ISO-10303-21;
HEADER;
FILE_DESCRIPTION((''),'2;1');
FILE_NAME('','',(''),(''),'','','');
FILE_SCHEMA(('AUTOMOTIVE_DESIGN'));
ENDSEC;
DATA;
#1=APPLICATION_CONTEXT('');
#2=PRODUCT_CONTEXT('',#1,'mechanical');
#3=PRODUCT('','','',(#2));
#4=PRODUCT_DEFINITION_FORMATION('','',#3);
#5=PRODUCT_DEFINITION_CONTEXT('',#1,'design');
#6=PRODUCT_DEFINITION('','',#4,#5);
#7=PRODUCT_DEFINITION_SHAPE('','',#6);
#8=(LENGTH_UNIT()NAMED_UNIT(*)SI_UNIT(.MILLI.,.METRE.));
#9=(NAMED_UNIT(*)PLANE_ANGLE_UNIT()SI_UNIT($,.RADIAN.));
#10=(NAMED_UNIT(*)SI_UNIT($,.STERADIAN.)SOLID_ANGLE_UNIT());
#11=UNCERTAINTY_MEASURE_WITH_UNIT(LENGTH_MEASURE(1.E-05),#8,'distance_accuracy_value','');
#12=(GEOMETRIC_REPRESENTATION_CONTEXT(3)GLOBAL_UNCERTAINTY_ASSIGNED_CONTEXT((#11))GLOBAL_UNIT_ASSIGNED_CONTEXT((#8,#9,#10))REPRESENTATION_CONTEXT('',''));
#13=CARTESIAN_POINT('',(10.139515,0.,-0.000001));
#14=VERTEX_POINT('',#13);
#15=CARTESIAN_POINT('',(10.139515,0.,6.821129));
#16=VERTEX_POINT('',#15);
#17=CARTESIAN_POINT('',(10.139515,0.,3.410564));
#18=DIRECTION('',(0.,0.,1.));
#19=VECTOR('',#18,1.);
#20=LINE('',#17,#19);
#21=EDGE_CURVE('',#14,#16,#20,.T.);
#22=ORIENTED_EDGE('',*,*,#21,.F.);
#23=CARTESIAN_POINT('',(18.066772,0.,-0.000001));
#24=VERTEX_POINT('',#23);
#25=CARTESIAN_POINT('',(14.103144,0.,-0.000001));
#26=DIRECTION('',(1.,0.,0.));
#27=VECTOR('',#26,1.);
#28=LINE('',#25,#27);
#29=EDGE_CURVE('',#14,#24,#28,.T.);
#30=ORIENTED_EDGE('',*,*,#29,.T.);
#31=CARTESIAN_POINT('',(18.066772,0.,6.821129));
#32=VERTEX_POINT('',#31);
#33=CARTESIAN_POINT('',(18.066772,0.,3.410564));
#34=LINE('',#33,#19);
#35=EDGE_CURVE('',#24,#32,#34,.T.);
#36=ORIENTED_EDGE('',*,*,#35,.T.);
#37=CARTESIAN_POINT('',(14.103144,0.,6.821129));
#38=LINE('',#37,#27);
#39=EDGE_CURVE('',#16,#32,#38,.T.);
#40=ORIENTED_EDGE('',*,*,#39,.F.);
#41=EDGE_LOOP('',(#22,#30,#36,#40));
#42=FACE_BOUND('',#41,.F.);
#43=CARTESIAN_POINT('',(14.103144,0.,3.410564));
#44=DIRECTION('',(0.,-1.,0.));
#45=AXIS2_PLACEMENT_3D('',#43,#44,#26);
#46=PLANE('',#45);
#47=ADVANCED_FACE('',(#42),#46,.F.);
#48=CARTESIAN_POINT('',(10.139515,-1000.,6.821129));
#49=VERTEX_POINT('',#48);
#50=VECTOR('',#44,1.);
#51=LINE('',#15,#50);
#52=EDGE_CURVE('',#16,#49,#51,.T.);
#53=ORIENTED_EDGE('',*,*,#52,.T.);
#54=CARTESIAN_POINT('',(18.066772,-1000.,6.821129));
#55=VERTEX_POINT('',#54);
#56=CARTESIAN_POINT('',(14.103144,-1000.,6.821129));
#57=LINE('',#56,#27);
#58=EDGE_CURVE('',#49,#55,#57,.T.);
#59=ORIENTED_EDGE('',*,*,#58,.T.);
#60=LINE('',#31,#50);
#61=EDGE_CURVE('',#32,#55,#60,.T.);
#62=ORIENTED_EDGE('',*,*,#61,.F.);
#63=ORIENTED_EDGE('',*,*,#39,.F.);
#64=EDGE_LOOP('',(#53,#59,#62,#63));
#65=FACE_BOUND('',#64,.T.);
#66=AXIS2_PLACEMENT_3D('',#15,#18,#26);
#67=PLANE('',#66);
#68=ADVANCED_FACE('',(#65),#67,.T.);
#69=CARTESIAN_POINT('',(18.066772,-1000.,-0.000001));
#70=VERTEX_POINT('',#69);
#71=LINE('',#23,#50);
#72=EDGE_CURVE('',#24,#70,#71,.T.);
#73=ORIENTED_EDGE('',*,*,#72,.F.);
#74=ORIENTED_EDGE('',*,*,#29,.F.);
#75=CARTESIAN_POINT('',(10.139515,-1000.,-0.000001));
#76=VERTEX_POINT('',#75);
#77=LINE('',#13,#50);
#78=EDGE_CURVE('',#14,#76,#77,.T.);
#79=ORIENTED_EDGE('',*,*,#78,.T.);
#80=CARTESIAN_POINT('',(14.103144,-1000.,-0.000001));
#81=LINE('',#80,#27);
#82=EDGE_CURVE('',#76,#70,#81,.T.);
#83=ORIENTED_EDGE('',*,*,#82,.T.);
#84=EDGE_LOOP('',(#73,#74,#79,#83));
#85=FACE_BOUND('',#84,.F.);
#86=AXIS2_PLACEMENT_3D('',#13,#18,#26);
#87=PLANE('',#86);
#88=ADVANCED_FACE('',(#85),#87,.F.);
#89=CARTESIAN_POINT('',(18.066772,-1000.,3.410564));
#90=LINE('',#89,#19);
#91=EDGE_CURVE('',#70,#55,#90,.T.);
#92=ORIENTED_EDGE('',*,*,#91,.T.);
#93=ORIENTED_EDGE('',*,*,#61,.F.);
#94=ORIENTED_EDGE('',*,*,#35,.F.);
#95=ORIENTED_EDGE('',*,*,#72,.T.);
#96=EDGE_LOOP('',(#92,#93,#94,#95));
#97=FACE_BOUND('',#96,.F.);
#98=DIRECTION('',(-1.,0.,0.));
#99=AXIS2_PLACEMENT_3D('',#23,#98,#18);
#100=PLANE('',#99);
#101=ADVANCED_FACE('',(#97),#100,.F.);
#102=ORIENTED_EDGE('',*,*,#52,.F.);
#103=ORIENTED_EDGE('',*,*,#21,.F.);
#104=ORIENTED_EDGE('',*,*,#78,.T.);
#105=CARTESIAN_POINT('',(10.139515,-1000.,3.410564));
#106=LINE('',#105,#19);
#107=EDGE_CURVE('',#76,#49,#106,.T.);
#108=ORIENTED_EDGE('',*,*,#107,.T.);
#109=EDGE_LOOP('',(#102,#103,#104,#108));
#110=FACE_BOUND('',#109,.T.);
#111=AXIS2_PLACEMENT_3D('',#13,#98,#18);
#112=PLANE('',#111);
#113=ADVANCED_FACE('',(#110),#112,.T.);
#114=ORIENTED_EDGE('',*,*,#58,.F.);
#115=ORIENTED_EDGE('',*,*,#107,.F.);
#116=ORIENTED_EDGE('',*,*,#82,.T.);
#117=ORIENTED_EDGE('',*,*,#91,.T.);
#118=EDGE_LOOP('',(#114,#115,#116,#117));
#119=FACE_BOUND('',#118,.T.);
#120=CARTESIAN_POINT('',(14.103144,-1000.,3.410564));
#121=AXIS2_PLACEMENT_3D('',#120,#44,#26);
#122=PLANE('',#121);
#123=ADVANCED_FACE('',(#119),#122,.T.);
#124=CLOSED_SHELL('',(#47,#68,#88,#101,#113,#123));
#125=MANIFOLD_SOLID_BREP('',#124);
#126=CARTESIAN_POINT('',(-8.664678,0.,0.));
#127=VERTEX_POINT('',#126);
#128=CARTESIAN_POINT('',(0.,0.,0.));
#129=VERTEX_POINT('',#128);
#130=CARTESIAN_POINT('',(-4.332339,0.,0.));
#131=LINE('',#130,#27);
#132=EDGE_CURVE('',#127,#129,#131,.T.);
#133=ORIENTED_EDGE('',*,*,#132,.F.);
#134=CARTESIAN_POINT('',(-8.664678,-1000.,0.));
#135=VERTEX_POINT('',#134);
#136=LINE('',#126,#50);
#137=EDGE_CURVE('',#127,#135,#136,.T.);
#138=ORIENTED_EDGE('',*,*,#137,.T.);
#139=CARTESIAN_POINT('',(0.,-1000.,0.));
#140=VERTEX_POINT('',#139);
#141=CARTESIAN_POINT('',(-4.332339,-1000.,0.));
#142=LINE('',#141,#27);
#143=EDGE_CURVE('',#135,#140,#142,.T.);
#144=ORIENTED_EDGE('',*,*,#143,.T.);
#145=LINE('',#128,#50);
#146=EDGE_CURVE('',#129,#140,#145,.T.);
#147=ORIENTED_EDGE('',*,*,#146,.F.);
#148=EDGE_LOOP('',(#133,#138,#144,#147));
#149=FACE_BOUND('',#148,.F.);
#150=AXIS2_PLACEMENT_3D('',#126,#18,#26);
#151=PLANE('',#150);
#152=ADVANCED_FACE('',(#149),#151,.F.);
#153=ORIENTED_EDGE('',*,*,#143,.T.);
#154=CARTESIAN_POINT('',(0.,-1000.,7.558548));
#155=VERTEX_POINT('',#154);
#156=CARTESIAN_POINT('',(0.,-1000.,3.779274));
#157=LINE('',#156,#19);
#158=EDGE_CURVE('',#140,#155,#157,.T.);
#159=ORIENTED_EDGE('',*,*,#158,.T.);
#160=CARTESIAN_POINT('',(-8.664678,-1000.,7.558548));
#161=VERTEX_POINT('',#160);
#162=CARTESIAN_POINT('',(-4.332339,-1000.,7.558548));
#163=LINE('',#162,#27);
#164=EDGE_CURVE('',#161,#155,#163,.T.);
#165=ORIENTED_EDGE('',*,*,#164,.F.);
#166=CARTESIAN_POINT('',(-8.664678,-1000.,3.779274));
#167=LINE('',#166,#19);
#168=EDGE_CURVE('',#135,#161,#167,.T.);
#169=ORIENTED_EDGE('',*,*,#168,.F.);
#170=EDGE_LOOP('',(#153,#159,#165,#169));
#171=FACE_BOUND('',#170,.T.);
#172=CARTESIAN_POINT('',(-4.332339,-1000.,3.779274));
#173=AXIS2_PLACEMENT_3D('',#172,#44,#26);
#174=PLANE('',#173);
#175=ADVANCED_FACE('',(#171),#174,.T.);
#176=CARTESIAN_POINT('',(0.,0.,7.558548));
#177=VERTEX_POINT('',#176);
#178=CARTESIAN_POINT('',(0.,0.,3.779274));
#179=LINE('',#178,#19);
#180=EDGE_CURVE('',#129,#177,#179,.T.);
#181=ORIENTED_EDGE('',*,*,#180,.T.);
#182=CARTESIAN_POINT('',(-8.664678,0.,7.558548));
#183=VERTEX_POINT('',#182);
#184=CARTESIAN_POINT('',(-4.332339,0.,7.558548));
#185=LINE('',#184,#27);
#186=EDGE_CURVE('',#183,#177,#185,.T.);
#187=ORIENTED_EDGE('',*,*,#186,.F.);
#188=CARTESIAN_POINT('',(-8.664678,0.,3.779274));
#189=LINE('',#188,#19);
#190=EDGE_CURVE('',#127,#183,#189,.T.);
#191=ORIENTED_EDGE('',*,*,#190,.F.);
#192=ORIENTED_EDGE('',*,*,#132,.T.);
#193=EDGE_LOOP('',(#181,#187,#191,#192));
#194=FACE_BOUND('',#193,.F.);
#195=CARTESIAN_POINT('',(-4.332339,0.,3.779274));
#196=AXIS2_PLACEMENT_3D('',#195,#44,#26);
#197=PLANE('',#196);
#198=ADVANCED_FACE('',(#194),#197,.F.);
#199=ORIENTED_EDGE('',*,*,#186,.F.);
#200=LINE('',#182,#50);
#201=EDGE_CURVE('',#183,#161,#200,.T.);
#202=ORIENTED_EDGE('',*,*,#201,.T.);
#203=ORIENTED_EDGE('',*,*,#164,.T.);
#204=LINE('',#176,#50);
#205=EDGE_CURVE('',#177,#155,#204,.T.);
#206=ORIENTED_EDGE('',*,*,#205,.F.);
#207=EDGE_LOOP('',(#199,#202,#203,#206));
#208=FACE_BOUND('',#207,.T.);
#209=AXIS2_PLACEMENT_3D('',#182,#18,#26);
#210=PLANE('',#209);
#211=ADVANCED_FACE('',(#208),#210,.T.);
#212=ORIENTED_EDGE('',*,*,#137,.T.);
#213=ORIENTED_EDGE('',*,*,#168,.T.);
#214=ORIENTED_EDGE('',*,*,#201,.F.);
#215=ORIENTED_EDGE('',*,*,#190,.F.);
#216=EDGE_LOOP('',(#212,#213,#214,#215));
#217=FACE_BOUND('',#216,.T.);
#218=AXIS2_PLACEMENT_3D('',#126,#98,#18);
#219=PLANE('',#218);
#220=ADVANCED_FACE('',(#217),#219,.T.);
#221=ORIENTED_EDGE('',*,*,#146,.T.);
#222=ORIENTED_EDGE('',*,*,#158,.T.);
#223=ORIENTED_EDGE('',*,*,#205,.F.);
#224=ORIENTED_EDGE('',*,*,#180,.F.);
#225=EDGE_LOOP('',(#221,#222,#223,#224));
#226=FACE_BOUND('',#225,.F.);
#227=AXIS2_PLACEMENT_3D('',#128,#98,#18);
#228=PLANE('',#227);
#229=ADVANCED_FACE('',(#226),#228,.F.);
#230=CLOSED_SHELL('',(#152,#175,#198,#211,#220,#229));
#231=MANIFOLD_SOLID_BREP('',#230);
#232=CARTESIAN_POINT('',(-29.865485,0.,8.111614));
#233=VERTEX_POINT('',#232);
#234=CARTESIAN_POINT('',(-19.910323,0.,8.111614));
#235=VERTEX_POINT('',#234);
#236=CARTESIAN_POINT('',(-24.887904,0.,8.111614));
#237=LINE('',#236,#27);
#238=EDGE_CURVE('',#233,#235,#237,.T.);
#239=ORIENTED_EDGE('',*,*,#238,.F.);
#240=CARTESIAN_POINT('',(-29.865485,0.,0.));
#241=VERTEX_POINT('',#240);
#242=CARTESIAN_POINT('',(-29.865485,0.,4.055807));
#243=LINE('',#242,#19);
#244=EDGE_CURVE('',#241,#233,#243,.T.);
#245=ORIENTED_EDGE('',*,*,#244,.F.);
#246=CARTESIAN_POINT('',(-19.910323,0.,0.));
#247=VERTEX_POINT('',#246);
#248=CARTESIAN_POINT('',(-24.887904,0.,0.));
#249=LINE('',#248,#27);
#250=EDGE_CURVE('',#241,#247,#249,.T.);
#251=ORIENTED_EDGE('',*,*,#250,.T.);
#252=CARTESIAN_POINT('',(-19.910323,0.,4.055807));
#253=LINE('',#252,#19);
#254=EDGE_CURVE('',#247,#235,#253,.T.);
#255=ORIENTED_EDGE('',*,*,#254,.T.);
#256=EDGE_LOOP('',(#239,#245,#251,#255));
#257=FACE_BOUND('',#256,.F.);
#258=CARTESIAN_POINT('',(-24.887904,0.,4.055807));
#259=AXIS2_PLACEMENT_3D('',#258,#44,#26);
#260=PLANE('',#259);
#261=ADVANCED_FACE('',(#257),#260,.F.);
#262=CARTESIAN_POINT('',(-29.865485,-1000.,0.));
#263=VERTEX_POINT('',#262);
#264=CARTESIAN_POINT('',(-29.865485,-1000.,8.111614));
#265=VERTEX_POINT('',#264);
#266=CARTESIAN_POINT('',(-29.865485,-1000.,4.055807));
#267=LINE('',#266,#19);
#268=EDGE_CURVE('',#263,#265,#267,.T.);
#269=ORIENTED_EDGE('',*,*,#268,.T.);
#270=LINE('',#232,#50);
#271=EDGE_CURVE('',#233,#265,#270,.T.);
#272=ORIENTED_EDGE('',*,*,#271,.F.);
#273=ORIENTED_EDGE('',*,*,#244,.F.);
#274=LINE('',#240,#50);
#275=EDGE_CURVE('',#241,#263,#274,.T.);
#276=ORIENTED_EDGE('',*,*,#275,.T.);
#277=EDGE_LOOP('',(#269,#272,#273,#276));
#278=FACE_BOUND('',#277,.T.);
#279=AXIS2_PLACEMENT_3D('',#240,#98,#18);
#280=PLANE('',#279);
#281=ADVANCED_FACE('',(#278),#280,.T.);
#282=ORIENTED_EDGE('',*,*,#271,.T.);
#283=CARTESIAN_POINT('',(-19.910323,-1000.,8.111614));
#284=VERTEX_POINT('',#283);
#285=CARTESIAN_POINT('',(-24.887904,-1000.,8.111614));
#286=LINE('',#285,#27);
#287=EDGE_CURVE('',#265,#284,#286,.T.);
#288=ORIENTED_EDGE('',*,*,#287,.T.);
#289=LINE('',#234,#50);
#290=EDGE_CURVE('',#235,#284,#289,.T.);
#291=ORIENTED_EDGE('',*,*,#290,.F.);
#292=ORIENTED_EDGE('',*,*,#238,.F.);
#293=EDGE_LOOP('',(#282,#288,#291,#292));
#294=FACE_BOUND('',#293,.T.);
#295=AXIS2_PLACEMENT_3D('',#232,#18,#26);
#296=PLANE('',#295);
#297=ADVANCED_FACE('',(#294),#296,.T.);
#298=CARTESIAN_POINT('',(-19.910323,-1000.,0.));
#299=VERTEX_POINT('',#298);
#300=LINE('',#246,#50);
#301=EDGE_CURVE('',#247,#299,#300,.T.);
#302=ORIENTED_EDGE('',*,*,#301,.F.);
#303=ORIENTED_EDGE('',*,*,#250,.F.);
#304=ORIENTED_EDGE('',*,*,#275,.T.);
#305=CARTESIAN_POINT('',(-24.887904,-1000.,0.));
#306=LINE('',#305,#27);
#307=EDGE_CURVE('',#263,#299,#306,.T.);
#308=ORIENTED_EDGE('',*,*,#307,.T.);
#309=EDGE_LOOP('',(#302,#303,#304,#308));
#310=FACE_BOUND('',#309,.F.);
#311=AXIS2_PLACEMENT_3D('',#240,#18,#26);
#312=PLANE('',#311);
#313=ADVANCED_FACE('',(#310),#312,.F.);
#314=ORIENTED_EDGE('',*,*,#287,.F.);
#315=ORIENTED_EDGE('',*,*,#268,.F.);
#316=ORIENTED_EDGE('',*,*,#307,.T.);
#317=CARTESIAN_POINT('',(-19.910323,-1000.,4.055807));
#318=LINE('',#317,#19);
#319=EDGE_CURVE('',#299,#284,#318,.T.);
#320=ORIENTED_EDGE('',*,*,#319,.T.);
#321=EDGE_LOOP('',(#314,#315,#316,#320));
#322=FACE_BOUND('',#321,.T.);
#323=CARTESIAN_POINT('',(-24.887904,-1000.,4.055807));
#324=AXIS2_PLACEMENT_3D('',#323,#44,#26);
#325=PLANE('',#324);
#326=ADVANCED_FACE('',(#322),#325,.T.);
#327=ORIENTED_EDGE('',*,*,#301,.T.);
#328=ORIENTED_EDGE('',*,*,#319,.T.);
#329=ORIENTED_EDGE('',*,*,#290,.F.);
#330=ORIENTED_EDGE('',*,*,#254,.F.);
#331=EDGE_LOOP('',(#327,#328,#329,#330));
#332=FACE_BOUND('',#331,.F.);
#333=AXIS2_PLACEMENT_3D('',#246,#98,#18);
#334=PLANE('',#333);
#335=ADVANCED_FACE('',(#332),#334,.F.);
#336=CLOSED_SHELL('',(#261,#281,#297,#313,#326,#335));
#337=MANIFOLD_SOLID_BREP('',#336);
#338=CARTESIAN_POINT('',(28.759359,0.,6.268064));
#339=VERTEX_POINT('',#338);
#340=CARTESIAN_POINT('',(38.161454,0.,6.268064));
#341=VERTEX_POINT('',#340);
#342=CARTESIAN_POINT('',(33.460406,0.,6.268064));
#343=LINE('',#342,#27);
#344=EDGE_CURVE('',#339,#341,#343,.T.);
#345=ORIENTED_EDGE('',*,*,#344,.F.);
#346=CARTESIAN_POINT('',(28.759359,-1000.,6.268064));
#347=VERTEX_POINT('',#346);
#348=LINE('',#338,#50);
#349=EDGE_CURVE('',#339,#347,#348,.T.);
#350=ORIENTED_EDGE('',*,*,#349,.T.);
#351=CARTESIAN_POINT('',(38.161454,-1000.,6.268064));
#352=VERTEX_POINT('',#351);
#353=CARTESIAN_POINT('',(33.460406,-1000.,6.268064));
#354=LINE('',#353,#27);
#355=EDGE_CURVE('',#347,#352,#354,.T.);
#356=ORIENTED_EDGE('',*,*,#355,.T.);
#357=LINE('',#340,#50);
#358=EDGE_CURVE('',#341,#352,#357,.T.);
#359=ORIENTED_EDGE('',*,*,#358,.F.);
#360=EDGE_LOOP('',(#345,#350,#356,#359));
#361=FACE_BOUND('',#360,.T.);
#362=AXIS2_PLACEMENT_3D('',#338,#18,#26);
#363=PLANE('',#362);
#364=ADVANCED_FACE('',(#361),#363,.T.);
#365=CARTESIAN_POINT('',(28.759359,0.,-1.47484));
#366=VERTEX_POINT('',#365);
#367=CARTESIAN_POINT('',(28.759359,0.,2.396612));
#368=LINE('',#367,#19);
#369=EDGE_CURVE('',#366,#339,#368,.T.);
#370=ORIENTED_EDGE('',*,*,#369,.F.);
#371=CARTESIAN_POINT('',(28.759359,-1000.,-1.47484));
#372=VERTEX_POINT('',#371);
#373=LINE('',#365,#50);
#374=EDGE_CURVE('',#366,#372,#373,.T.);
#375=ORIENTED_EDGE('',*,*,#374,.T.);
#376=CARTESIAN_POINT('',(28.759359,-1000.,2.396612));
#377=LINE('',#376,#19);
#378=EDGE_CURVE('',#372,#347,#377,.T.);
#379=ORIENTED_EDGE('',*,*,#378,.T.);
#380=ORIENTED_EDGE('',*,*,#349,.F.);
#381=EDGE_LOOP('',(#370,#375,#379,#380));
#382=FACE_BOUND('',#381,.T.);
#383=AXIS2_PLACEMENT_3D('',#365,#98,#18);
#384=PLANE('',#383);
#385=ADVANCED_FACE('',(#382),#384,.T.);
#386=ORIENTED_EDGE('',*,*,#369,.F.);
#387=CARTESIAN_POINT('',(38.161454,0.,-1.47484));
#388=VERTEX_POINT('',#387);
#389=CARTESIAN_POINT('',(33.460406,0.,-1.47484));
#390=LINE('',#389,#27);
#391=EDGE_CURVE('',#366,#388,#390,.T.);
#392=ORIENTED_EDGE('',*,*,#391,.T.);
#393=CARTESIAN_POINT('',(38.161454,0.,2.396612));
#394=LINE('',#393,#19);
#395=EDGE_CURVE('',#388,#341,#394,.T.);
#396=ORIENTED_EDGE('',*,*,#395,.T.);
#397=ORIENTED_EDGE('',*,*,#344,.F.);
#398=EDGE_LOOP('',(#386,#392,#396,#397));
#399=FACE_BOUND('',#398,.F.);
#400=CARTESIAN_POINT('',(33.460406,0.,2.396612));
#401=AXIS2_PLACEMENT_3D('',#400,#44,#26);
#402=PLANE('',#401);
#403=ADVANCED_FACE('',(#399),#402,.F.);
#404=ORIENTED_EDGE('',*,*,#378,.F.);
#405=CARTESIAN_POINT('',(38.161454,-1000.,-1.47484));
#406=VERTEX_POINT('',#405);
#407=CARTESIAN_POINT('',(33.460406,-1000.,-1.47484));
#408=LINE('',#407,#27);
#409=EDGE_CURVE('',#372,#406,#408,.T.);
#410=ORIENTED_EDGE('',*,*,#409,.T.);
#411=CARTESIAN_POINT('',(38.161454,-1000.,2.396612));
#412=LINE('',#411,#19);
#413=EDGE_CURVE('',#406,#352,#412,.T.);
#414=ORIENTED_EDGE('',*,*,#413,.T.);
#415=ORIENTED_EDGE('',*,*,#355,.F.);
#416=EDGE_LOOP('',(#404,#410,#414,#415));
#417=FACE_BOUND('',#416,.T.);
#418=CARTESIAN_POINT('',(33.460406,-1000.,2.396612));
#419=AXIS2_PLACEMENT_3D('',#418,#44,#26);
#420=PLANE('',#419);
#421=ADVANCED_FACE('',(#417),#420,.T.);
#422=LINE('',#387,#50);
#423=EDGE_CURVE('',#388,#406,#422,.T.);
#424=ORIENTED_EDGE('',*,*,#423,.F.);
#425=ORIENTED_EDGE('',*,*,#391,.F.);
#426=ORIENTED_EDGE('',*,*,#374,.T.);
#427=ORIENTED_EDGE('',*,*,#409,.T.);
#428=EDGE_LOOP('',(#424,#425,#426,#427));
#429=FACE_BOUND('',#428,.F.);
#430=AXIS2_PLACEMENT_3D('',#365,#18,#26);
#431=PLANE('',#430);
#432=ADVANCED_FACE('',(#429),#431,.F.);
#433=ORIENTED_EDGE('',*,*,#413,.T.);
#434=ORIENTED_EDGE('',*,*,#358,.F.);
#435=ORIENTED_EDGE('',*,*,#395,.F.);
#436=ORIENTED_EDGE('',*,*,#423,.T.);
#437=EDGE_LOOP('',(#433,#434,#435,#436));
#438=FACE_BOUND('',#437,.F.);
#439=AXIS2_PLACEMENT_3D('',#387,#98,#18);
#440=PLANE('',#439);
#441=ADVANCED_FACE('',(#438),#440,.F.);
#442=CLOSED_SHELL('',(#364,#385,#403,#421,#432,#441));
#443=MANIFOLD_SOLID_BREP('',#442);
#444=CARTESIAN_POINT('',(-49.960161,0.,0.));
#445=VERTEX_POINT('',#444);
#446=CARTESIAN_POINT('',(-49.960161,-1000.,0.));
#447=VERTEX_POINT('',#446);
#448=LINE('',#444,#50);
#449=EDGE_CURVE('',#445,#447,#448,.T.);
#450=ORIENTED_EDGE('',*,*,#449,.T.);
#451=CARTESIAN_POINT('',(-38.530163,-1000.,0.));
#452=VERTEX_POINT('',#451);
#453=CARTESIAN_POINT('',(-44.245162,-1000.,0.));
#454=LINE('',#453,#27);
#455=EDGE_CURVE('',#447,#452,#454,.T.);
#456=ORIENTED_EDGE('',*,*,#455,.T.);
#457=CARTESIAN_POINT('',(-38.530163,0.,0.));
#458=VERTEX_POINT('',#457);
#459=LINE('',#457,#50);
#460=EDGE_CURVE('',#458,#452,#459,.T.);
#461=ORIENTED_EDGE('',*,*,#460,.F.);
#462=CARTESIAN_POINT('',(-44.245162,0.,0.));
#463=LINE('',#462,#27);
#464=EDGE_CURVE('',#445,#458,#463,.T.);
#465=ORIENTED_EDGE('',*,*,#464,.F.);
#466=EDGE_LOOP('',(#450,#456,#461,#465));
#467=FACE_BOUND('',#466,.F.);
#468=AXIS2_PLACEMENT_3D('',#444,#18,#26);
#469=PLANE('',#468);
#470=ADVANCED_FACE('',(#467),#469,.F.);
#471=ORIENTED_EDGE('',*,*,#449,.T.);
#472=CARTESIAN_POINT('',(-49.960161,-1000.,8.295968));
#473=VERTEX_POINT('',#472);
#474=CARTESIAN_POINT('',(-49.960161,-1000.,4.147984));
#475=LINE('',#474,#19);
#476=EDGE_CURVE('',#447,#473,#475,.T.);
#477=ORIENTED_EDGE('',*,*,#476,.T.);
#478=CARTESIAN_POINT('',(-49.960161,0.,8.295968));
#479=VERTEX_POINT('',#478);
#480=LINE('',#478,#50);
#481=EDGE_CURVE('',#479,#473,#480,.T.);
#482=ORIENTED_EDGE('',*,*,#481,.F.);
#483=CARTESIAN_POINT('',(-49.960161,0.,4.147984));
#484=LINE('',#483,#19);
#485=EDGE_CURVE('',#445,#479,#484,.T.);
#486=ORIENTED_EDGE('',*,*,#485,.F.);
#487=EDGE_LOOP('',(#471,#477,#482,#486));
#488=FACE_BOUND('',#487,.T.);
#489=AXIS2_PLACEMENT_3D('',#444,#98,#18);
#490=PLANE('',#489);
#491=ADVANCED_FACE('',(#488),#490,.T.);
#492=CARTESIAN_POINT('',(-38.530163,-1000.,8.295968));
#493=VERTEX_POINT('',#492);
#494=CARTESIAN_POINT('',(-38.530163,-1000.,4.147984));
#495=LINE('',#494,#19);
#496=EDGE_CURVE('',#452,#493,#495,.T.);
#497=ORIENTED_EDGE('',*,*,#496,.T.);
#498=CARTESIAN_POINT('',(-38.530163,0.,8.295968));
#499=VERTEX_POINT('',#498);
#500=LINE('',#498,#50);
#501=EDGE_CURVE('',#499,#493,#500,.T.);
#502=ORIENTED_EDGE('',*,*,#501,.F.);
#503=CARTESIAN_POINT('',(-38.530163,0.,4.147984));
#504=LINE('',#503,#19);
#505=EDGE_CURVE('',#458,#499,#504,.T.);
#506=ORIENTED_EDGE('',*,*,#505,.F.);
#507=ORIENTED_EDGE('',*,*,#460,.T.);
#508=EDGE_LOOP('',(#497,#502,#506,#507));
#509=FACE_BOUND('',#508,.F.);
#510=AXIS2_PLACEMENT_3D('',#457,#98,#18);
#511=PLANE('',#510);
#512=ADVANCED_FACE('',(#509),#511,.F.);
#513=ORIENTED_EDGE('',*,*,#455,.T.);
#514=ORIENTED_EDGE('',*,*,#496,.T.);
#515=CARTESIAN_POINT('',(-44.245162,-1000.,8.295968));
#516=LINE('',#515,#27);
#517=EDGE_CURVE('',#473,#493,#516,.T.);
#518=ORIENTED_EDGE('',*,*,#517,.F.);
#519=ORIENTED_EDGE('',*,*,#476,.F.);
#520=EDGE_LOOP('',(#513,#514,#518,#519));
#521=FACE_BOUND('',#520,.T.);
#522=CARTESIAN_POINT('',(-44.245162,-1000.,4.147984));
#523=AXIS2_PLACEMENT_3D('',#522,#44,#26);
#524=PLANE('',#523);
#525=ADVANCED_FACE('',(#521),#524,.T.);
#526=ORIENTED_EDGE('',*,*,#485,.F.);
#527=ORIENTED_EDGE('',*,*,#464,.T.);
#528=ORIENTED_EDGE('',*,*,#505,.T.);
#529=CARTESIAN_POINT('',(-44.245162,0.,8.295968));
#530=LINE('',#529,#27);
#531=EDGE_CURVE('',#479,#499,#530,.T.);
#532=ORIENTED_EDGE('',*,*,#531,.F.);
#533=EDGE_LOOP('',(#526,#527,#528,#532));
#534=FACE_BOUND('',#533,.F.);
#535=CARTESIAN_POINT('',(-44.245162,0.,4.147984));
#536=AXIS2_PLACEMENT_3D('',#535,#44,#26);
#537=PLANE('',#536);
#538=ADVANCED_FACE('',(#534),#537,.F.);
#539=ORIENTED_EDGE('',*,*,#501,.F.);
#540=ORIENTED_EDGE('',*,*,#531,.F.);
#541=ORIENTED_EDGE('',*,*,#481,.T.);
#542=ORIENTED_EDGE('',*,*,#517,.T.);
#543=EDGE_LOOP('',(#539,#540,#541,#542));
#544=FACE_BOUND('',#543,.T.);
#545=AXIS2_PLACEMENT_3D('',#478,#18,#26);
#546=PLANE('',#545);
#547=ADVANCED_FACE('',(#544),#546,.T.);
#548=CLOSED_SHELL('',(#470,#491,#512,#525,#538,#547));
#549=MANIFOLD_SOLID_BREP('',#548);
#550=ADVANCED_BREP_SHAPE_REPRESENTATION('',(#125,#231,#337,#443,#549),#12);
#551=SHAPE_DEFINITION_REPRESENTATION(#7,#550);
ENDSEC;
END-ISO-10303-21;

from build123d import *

# Parameters (mm, degrees)
F0_W     = 11.429999
F0_H     = 8.295968
F0_W_2   = 9.955162
F0_H_2   = 8.111613
F0_W_3   = 8.664678
F0_H_3   = 7.558548
F0_W_4   = 7.927257
F0_H_4   = 6.821129
F0_W_5   = 9.402095
F0_H_5   = 7.742903
F1_DEPTH = 1000


with BuildPart() as f1:
    # F0 (on Front) → F1 (new body)
    with BuildSketch(Plane.XZ):
        with Locations((-44.245162, 4.147984)):
            Rectangle(F0_W, F0_H)
        with Locations((-24.887904, 4.055807)):
            Rectangle(F0_W_2, F0_H_2)
        with Locations((-4.332339, 3.779274)):
            Rectangle(F0_W_3, F0_H_3)
        with Locations((14.103144, 3.410564)):
            Rectangle(F0_W_4, F0_H_4)
        with Locations((33.460406, 2.396612)):
            Rectangle(F0_W_5, F0_H_5)
    extrude(amount=F1_DEPTH)


solid = f1.part
